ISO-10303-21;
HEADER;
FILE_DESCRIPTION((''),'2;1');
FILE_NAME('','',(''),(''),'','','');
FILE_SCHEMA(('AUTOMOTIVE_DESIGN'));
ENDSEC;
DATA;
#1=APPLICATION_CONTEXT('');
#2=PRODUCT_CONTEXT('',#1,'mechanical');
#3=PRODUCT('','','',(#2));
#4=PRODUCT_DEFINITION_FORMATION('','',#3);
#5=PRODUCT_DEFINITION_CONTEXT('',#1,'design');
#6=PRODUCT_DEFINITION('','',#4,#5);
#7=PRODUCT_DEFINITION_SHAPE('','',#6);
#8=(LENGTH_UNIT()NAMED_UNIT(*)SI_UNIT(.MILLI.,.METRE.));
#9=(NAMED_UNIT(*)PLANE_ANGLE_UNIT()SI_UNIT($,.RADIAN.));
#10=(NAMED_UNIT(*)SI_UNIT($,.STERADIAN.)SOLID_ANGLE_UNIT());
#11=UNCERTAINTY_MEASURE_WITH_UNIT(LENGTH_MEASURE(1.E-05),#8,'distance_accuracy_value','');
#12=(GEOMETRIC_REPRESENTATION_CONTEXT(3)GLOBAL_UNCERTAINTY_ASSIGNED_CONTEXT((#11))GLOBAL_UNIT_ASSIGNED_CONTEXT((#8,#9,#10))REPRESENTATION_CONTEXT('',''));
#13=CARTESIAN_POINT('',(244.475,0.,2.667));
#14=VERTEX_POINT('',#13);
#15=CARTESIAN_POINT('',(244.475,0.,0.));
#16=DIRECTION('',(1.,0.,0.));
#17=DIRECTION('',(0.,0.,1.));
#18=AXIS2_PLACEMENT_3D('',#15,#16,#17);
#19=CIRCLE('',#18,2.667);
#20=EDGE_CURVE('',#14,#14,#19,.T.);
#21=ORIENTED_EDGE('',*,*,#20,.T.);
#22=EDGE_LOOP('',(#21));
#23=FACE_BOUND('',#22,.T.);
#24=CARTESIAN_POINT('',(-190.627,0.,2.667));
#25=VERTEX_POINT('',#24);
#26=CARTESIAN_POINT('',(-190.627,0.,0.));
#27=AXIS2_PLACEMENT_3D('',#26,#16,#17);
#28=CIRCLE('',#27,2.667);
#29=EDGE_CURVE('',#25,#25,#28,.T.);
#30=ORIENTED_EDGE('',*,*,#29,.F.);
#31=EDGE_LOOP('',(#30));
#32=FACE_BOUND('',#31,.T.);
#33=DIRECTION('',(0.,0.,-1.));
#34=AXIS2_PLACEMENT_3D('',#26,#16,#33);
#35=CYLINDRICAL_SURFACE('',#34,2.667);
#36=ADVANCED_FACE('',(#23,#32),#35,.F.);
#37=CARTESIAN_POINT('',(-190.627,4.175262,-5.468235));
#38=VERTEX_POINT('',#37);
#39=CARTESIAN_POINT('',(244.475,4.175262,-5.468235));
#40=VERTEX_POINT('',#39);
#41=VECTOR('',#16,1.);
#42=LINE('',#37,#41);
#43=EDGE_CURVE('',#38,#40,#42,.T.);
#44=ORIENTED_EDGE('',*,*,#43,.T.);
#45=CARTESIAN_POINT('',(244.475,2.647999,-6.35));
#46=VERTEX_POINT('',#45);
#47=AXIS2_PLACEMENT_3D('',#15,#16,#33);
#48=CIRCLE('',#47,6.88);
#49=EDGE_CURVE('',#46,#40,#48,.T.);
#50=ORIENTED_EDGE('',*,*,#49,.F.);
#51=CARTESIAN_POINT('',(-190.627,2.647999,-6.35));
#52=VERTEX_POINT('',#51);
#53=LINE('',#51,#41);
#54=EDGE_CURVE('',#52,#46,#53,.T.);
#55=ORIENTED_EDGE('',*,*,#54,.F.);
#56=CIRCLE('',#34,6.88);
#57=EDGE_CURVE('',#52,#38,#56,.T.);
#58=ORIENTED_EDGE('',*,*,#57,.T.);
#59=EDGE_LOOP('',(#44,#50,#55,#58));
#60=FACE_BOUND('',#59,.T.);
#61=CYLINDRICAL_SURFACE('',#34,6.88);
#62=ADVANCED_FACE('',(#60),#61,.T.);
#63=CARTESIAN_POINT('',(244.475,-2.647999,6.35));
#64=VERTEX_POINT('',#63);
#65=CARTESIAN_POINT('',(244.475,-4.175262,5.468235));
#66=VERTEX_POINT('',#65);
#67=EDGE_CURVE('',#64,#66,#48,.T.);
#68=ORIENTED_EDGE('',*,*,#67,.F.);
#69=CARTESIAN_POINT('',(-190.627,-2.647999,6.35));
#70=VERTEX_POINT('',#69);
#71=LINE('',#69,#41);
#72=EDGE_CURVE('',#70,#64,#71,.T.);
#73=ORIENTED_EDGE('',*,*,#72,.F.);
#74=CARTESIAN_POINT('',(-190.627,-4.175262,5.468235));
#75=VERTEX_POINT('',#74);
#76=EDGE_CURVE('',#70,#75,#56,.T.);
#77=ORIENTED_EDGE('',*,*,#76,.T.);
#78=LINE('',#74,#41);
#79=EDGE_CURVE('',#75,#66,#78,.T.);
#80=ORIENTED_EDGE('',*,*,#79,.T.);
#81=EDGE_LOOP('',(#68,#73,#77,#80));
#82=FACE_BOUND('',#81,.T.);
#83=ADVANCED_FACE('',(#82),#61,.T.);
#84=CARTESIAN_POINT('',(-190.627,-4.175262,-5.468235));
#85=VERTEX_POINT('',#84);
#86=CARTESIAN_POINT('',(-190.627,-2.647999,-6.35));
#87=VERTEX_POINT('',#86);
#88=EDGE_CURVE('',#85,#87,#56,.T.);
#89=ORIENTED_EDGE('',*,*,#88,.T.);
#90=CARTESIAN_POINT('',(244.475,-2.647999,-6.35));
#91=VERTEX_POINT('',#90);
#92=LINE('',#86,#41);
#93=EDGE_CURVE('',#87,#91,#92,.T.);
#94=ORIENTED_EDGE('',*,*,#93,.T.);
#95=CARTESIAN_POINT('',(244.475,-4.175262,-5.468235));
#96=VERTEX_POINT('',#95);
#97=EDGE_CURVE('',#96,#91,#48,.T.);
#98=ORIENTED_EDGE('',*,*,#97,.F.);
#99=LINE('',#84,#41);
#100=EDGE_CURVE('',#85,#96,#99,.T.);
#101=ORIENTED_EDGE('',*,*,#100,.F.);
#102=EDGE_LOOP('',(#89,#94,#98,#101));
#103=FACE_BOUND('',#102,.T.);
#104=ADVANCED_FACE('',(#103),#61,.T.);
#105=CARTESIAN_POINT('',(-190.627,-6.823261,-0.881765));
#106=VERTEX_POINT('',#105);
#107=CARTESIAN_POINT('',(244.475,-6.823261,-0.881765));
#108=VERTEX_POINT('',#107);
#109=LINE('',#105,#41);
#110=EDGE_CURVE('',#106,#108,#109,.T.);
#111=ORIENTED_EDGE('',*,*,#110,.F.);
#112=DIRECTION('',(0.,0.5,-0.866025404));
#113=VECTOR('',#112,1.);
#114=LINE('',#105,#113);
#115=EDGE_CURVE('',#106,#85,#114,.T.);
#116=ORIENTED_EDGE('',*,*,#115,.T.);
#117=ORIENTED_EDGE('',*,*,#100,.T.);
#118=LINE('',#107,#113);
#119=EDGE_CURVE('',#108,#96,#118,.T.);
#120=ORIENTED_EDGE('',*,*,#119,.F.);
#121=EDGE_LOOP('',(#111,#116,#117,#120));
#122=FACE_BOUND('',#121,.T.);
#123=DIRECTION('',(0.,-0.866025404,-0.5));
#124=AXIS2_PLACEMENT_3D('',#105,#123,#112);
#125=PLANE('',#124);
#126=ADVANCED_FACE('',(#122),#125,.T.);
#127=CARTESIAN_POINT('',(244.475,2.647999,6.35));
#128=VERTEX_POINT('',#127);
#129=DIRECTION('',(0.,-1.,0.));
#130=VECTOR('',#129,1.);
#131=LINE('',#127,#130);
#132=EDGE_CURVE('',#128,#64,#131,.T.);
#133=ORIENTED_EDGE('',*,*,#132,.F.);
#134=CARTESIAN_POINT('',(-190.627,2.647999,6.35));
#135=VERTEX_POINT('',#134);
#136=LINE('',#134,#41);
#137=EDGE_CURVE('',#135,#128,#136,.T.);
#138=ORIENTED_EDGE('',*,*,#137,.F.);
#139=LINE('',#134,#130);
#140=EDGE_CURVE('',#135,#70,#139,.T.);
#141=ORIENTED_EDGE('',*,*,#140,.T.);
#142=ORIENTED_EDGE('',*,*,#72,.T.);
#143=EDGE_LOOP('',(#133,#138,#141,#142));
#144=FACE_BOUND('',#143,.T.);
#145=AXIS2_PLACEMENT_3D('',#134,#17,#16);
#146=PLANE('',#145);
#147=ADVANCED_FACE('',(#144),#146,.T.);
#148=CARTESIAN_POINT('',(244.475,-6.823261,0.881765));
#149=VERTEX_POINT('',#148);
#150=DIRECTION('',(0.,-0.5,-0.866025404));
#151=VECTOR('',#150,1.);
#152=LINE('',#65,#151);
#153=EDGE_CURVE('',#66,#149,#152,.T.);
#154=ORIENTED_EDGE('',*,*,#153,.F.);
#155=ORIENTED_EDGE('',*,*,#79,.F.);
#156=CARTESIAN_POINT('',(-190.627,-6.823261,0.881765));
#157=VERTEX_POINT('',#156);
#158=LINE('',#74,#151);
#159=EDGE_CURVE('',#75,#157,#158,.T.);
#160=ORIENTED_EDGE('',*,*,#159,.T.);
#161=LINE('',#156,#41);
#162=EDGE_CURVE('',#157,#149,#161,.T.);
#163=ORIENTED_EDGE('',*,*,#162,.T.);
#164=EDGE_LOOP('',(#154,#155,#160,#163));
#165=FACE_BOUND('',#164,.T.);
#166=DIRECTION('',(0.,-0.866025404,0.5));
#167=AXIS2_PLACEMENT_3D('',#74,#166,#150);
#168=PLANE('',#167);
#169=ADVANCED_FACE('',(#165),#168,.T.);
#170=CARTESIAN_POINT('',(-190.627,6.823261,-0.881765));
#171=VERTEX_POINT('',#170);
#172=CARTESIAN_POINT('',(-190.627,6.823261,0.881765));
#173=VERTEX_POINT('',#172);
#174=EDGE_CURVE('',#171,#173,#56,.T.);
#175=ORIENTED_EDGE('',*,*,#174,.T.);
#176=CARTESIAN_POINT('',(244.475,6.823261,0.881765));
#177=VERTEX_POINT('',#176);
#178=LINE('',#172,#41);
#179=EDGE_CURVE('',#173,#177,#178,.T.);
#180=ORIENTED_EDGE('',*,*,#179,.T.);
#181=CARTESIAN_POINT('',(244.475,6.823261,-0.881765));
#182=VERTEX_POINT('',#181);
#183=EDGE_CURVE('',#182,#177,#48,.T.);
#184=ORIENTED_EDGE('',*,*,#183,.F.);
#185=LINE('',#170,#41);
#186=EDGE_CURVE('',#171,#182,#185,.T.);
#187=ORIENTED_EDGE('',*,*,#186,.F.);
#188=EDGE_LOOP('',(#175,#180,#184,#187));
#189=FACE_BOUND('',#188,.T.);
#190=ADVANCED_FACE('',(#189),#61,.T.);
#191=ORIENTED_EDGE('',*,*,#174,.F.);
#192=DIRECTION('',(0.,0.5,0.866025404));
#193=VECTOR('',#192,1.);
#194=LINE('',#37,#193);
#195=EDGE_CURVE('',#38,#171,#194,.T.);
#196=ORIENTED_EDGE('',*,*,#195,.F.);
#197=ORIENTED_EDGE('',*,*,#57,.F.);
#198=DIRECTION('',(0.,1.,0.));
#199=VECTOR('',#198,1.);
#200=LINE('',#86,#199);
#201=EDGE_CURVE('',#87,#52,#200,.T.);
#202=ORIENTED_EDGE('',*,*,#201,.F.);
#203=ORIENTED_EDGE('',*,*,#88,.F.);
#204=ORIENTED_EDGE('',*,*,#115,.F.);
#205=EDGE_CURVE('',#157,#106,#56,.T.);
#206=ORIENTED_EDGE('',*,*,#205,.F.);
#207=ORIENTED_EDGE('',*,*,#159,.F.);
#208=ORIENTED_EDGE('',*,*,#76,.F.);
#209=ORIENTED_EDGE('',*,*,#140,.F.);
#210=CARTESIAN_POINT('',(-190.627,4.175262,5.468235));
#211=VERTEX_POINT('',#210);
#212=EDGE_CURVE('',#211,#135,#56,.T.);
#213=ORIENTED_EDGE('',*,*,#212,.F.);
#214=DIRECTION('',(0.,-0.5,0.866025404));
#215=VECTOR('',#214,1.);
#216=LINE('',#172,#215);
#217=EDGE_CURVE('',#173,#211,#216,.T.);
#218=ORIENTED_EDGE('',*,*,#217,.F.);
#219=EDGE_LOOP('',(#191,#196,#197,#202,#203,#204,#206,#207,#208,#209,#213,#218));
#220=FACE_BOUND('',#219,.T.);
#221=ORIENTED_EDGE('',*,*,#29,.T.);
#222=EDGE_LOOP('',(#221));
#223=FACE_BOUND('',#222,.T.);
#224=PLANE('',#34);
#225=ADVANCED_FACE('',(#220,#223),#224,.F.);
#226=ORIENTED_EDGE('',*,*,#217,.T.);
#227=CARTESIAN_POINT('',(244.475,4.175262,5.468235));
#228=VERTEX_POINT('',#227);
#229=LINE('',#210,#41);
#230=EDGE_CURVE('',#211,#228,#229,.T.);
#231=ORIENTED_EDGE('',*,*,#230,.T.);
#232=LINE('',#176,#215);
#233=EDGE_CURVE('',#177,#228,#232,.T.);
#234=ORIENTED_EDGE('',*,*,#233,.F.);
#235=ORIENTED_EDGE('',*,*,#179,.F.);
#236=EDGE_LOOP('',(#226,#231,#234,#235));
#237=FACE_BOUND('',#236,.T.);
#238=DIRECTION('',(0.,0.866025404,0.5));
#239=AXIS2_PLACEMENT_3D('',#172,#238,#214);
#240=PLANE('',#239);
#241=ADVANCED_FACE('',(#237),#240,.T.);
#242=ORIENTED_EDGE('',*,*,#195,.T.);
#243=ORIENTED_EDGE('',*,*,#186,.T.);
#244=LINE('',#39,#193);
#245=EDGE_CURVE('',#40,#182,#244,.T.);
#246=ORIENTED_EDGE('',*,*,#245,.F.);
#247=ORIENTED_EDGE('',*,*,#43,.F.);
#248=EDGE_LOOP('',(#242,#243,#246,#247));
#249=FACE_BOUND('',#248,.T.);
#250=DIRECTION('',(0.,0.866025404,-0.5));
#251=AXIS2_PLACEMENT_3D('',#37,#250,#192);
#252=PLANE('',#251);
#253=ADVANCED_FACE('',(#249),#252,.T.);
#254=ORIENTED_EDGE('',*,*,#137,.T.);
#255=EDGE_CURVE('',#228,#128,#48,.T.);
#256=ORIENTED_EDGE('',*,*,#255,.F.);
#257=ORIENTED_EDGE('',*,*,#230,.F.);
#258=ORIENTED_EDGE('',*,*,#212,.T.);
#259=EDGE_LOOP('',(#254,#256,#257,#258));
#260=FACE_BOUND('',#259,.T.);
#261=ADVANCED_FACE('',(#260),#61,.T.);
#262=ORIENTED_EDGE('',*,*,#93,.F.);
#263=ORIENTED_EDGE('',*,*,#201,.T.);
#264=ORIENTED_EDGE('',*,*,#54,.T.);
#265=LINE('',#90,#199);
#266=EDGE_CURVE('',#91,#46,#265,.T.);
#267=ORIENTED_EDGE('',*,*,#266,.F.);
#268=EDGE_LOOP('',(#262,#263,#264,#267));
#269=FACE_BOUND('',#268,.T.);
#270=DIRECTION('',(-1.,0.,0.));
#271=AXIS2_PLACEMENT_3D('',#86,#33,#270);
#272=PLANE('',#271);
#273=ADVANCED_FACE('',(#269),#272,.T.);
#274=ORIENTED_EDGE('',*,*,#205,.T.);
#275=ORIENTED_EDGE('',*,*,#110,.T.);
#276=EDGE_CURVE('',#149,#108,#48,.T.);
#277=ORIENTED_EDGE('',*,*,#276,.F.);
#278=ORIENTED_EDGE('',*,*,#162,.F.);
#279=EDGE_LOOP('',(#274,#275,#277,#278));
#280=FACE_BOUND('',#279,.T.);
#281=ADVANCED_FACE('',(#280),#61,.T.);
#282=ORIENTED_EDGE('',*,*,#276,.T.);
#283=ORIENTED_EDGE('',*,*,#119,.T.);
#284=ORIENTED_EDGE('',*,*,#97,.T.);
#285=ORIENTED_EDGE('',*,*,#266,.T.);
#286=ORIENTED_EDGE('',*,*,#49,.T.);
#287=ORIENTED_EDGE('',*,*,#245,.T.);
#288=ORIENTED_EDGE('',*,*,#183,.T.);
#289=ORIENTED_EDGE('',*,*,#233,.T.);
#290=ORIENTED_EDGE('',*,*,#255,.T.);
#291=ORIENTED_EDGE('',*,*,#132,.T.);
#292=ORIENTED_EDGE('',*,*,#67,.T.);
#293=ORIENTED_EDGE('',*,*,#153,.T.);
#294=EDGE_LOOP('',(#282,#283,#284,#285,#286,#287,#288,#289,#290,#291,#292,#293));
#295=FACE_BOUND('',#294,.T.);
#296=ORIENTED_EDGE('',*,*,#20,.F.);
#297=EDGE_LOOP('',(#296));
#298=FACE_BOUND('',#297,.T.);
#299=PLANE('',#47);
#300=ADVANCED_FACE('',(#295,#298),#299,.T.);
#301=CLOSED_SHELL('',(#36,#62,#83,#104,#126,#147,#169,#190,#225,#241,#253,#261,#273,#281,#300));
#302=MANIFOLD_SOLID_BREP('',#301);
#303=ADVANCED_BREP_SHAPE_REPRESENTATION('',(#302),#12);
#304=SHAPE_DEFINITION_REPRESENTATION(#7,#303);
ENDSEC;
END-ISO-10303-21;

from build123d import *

# Parameters (mm, degrees)
SKETCH1_R           = 2.667
BOSS_EXTRUDE1_DEPTH = 435.102


with BuildPart() as part:
    # Sketch1 → Boss-Extrude1 (new body)
    with BuildSketch(Plane(origin=(244.475, 0, 0), x_dir=(0, 0, -1), z_dir=(1, 0, 0))):
        with BuildLine():
            Line((5.468234615, 4.175261692), (0.881765385, 6.823260936))
            ThreePointArc((0.881765385, 6.823260936), (0, 6.88), (-0.881765385, 6.823260936))
            Line((-0.881765385, 6.823260936), (-5.468234615, 4.175261692))
            ThreePointArc((-5.468234615, 4.175261692), (-5.958254778, 3.44), (-6.35, 2.647999245))
            Line((-6.35, 2.647999245), (-6.35, -2.647999245))
            ThreePointArc((-6.35, -2.647999245), (-5.958254778, -3.44), (-5.468234615, -4.175261692))
            Line((-5.468234615, -4.175261692), (-0.881765385, -6.823260936))
            ThreePointArc((-0.881765385, -6.823260936), (0, -6.88), (0.881765385, -6.823260936))
            Line((0.881765385, -6.823260936), (5.468234615, -4.175261692))
            ThreePointArc((5.468234615, -4.175261692), (5.958254778, -3.44), (6.35, -2.647999245))
            Line((6.35, -2.647999245), (6.35, 2.647999245))
            ThreePointArc((6.35, 2.647999245), (5.958254778, 3.44), (5.468234615, 4.175261692))
        make_face()
        with Locations(Location((0, 0, 0), (0, 0, 180))):
            Circle(SKETCH1_R, mode=Mode.SUBTRACT)
    extrude(amount=-BOSS_EXTRUDE1_DEPTH)


solid = part.part
